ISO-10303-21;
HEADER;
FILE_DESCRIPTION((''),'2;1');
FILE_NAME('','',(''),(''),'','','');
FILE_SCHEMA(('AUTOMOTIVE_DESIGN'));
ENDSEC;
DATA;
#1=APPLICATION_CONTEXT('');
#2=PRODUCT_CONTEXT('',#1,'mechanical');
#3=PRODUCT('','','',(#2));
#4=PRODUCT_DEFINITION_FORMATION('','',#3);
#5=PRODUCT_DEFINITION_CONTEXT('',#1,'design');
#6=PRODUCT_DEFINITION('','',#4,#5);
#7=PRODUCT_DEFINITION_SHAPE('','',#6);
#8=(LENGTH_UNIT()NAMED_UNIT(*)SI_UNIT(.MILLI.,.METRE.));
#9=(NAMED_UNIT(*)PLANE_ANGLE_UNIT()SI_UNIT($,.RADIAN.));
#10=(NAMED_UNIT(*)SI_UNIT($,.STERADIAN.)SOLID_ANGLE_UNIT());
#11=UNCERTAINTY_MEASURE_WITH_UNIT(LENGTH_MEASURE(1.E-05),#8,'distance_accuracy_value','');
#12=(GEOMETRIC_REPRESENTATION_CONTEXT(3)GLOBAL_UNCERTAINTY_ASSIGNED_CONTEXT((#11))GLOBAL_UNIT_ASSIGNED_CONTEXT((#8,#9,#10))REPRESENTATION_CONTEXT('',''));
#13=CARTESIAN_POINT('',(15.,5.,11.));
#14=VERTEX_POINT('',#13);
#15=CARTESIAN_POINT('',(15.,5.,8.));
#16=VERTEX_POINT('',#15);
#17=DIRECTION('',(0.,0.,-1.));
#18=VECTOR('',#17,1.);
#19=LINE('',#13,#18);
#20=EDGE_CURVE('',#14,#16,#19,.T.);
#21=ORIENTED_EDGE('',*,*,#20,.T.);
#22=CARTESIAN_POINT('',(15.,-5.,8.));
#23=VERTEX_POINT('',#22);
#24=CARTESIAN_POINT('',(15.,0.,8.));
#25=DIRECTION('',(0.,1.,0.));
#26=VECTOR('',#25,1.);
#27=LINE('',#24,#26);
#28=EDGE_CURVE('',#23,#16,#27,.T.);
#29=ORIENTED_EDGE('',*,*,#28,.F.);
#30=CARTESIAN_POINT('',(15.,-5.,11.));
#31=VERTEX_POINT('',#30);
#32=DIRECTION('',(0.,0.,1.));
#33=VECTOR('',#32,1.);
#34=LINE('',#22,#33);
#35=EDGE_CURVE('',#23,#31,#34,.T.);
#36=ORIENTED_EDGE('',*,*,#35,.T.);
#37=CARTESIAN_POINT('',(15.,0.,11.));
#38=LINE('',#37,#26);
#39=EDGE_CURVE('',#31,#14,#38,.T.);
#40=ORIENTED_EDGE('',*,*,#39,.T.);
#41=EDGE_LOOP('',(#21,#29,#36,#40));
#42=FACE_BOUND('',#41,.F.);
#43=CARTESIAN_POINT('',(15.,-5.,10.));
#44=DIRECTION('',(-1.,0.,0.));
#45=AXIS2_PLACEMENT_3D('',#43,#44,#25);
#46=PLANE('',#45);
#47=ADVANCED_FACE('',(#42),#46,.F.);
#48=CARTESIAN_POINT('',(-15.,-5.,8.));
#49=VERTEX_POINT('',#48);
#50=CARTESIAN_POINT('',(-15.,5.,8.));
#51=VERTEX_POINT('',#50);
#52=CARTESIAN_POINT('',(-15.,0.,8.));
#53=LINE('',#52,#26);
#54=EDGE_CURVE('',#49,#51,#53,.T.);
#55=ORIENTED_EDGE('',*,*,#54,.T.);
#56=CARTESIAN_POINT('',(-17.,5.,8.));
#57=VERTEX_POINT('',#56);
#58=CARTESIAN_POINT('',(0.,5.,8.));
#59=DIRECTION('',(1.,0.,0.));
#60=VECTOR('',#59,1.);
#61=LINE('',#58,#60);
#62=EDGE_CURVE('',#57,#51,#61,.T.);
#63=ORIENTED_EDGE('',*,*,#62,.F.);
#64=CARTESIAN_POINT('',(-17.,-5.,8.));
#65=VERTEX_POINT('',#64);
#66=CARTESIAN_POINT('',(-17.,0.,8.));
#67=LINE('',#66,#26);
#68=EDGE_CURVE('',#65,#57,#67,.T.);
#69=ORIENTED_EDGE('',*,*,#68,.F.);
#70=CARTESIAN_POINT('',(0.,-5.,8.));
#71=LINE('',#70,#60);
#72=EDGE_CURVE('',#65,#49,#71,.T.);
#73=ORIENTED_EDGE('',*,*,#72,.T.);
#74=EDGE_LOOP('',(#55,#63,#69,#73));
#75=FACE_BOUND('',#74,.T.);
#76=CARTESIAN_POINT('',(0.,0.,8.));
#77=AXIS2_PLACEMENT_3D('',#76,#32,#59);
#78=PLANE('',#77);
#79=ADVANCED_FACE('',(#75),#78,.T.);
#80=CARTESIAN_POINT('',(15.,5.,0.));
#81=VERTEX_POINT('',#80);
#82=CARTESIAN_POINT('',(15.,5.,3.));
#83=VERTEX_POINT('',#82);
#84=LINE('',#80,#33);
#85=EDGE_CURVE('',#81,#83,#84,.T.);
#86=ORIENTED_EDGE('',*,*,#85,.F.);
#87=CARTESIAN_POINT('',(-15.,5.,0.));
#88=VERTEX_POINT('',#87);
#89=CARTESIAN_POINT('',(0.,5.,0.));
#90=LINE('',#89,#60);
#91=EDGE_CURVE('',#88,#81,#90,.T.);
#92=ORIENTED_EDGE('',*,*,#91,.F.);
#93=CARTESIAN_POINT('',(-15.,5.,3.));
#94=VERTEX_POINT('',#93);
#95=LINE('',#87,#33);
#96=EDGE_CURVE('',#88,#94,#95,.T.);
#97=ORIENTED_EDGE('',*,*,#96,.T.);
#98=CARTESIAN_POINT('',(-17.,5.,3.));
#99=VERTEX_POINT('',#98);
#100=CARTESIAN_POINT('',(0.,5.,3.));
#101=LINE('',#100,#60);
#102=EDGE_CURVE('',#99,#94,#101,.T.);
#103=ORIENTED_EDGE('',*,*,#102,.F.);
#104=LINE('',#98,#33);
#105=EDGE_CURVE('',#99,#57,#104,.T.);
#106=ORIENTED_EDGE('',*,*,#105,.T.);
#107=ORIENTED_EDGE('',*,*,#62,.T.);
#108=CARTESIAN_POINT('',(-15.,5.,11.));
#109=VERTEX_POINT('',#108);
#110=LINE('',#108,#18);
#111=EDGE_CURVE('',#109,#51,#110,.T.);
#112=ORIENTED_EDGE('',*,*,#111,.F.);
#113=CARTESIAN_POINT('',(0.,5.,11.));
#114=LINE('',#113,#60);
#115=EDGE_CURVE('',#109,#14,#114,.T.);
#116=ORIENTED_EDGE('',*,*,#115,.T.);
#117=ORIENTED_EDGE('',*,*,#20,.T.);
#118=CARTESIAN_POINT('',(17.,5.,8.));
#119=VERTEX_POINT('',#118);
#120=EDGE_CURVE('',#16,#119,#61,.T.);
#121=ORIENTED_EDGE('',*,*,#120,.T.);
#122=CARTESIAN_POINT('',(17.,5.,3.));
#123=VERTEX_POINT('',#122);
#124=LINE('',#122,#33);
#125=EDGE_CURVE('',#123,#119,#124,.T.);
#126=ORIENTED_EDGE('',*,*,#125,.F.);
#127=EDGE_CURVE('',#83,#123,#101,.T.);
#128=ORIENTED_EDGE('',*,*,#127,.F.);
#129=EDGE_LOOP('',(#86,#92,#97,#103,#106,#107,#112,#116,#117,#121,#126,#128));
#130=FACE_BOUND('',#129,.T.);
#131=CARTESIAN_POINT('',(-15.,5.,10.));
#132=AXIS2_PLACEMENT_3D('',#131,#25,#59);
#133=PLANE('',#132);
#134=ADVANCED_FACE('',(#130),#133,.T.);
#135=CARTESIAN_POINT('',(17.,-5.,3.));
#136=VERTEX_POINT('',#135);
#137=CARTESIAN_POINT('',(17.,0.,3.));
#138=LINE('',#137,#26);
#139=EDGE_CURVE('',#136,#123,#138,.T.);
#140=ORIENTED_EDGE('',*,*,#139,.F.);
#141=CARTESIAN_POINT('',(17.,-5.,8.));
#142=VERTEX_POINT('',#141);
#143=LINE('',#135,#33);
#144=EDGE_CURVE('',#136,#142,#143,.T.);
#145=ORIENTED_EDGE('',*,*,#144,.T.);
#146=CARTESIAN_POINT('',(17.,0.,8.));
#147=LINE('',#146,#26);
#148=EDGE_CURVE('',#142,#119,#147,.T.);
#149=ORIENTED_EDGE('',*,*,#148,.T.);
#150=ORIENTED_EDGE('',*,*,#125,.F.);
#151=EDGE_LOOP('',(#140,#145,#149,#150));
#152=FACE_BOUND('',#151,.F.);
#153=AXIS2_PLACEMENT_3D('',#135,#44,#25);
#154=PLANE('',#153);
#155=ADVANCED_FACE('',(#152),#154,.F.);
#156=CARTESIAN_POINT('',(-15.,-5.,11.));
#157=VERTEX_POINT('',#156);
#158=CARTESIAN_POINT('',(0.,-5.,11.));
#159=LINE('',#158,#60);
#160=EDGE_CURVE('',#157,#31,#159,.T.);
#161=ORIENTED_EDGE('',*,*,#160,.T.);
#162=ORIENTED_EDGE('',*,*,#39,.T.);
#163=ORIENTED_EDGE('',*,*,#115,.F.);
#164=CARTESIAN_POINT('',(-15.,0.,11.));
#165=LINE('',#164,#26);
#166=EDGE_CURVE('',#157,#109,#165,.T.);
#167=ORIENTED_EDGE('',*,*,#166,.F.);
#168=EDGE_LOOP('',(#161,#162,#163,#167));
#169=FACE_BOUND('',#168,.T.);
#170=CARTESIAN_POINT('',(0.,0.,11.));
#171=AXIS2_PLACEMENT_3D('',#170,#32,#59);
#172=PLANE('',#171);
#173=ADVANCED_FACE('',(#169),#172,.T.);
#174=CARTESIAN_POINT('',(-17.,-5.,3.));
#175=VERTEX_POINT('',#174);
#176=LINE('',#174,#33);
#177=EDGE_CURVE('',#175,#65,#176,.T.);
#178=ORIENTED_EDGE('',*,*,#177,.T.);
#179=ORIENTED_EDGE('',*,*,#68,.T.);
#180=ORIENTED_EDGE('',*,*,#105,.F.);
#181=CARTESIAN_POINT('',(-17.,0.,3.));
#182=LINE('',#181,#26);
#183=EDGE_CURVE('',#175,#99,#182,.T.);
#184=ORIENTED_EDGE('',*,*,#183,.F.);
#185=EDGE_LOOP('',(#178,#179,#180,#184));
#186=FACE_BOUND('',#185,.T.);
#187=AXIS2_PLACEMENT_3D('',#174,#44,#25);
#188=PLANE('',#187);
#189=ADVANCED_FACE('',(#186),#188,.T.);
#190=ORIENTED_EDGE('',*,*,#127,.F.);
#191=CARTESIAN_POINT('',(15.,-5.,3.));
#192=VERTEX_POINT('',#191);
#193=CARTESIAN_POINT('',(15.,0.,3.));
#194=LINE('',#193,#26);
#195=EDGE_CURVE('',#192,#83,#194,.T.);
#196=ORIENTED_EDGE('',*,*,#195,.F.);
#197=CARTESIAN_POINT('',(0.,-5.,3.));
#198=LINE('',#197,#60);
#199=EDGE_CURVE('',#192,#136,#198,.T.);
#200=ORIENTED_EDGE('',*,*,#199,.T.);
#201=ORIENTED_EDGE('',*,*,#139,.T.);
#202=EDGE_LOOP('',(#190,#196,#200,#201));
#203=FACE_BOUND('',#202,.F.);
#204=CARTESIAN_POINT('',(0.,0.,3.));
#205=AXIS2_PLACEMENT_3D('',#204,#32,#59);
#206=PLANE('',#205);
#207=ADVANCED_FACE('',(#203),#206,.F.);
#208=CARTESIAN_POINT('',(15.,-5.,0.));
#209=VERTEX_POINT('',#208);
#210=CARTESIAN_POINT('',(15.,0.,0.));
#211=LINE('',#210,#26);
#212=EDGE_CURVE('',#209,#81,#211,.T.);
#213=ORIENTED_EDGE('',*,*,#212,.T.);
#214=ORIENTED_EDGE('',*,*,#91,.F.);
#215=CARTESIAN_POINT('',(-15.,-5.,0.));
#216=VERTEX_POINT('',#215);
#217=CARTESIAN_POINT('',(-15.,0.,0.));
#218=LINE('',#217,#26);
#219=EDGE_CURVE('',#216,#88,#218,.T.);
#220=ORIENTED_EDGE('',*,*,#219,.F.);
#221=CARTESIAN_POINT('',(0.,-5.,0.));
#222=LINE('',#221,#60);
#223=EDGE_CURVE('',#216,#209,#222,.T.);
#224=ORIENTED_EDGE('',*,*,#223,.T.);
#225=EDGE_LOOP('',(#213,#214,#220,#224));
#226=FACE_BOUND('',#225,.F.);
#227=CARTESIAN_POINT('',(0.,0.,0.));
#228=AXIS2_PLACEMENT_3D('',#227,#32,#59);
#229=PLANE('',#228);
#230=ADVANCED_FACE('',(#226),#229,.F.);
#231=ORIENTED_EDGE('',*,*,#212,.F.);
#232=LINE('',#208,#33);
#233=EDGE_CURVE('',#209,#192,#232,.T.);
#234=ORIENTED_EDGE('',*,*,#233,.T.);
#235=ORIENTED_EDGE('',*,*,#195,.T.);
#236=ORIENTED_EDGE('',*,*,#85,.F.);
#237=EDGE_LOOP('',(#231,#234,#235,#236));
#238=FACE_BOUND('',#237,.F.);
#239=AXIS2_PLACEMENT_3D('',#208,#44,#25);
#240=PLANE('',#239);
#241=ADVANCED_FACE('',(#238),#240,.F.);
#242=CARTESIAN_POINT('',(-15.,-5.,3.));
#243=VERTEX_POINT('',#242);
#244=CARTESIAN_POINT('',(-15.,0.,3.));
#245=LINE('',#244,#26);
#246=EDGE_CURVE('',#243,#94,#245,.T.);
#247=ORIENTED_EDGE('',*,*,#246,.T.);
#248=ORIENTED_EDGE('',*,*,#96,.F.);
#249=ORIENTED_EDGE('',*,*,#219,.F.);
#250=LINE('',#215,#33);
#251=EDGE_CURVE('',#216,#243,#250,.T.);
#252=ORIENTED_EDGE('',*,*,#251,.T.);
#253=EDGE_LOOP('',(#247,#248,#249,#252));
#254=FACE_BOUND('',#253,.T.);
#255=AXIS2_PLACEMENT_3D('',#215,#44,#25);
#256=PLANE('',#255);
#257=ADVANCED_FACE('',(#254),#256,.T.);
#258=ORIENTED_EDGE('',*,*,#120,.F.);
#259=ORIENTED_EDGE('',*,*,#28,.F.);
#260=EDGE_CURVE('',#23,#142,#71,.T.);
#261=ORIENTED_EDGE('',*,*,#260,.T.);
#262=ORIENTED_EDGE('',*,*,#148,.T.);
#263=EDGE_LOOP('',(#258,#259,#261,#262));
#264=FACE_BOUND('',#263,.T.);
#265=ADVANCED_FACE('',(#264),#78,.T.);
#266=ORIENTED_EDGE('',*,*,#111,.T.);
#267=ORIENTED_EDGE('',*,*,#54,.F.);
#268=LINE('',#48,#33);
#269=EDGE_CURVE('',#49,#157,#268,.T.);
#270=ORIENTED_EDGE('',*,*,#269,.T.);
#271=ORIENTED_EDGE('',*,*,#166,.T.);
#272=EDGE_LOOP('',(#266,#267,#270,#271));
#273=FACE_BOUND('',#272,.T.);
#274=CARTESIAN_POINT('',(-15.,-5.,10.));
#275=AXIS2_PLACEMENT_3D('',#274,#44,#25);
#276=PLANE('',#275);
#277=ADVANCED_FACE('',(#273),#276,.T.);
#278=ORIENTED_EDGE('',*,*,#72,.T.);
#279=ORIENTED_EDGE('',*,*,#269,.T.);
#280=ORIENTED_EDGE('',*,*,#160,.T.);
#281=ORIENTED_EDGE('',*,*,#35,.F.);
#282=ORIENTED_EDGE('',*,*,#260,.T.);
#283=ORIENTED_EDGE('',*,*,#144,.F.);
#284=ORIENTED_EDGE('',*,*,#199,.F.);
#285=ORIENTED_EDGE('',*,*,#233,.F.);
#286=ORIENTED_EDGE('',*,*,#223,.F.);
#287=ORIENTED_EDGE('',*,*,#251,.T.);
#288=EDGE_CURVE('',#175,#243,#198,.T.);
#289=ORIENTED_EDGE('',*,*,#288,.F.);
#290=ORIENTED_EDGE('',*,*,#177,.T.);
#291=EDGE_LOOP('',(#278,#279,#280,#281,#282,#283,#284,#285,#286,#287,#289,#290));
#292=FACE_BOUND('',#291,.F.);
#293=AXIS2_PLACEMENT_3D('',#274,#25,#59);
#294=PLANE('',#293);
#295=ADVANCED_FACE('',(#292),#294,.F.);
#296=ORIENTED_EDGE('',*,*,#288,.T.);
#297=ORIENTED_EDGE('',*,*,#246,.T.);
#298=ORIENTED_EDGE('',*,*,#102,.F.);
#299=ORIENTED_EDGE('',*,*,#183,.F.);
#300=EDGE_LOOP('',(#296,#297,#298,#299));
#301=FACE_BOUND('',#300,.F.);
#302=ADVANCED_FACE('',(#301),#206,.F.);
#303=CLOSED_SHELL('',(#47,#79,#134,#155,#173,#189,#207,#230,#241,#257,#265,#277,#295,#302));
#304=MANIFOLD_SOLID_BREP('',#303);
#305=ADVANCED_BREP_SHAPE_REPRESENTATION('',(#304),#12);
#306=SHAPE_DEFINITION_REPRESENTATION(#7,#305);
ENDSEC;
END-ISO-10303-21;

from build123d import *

# Parameters (mm, degrees)
F0_W     = 30
F0_H     = 10
F1_DEPTH = 3
F2_W     = 34
F2_H     = 10
F3_DEPTH = 5
F4_W     = 30
F4_H     = 10
F5_DEPTH = 2
F6_W     = 30
F6_H     = 10
F7_DEPTH = 1


with BuildPart() as f1:
    # F0 (on Top) → F1 (new body)
    with BuildSketch(Plane.XY):
        Rectangle(F0_W, F0_H)
    extrude(amount=F1_DEPTH)

    # F2 (on face) → F3 (join)
    with BuildSketch(Plane.XY.offset(3)):
        Rectangle(F2_W, F2_H)
    extrude(amount=F3_DEPTH)

    # F4 (on face) → F5 (join)
    with BuildSketch(Plane.XY.offset(8)):
        Rectangle(F4_W, F4_H)
    extrude(amount=F5_DEPTH)

    # F6 (on face) → F7 (join)
    with BuildSketch(Plane.XY.offset(10)):
        Rectangle(F6_W, F6_H)
    extrude(amount=F7_DEPTH)


solid = f1.part
